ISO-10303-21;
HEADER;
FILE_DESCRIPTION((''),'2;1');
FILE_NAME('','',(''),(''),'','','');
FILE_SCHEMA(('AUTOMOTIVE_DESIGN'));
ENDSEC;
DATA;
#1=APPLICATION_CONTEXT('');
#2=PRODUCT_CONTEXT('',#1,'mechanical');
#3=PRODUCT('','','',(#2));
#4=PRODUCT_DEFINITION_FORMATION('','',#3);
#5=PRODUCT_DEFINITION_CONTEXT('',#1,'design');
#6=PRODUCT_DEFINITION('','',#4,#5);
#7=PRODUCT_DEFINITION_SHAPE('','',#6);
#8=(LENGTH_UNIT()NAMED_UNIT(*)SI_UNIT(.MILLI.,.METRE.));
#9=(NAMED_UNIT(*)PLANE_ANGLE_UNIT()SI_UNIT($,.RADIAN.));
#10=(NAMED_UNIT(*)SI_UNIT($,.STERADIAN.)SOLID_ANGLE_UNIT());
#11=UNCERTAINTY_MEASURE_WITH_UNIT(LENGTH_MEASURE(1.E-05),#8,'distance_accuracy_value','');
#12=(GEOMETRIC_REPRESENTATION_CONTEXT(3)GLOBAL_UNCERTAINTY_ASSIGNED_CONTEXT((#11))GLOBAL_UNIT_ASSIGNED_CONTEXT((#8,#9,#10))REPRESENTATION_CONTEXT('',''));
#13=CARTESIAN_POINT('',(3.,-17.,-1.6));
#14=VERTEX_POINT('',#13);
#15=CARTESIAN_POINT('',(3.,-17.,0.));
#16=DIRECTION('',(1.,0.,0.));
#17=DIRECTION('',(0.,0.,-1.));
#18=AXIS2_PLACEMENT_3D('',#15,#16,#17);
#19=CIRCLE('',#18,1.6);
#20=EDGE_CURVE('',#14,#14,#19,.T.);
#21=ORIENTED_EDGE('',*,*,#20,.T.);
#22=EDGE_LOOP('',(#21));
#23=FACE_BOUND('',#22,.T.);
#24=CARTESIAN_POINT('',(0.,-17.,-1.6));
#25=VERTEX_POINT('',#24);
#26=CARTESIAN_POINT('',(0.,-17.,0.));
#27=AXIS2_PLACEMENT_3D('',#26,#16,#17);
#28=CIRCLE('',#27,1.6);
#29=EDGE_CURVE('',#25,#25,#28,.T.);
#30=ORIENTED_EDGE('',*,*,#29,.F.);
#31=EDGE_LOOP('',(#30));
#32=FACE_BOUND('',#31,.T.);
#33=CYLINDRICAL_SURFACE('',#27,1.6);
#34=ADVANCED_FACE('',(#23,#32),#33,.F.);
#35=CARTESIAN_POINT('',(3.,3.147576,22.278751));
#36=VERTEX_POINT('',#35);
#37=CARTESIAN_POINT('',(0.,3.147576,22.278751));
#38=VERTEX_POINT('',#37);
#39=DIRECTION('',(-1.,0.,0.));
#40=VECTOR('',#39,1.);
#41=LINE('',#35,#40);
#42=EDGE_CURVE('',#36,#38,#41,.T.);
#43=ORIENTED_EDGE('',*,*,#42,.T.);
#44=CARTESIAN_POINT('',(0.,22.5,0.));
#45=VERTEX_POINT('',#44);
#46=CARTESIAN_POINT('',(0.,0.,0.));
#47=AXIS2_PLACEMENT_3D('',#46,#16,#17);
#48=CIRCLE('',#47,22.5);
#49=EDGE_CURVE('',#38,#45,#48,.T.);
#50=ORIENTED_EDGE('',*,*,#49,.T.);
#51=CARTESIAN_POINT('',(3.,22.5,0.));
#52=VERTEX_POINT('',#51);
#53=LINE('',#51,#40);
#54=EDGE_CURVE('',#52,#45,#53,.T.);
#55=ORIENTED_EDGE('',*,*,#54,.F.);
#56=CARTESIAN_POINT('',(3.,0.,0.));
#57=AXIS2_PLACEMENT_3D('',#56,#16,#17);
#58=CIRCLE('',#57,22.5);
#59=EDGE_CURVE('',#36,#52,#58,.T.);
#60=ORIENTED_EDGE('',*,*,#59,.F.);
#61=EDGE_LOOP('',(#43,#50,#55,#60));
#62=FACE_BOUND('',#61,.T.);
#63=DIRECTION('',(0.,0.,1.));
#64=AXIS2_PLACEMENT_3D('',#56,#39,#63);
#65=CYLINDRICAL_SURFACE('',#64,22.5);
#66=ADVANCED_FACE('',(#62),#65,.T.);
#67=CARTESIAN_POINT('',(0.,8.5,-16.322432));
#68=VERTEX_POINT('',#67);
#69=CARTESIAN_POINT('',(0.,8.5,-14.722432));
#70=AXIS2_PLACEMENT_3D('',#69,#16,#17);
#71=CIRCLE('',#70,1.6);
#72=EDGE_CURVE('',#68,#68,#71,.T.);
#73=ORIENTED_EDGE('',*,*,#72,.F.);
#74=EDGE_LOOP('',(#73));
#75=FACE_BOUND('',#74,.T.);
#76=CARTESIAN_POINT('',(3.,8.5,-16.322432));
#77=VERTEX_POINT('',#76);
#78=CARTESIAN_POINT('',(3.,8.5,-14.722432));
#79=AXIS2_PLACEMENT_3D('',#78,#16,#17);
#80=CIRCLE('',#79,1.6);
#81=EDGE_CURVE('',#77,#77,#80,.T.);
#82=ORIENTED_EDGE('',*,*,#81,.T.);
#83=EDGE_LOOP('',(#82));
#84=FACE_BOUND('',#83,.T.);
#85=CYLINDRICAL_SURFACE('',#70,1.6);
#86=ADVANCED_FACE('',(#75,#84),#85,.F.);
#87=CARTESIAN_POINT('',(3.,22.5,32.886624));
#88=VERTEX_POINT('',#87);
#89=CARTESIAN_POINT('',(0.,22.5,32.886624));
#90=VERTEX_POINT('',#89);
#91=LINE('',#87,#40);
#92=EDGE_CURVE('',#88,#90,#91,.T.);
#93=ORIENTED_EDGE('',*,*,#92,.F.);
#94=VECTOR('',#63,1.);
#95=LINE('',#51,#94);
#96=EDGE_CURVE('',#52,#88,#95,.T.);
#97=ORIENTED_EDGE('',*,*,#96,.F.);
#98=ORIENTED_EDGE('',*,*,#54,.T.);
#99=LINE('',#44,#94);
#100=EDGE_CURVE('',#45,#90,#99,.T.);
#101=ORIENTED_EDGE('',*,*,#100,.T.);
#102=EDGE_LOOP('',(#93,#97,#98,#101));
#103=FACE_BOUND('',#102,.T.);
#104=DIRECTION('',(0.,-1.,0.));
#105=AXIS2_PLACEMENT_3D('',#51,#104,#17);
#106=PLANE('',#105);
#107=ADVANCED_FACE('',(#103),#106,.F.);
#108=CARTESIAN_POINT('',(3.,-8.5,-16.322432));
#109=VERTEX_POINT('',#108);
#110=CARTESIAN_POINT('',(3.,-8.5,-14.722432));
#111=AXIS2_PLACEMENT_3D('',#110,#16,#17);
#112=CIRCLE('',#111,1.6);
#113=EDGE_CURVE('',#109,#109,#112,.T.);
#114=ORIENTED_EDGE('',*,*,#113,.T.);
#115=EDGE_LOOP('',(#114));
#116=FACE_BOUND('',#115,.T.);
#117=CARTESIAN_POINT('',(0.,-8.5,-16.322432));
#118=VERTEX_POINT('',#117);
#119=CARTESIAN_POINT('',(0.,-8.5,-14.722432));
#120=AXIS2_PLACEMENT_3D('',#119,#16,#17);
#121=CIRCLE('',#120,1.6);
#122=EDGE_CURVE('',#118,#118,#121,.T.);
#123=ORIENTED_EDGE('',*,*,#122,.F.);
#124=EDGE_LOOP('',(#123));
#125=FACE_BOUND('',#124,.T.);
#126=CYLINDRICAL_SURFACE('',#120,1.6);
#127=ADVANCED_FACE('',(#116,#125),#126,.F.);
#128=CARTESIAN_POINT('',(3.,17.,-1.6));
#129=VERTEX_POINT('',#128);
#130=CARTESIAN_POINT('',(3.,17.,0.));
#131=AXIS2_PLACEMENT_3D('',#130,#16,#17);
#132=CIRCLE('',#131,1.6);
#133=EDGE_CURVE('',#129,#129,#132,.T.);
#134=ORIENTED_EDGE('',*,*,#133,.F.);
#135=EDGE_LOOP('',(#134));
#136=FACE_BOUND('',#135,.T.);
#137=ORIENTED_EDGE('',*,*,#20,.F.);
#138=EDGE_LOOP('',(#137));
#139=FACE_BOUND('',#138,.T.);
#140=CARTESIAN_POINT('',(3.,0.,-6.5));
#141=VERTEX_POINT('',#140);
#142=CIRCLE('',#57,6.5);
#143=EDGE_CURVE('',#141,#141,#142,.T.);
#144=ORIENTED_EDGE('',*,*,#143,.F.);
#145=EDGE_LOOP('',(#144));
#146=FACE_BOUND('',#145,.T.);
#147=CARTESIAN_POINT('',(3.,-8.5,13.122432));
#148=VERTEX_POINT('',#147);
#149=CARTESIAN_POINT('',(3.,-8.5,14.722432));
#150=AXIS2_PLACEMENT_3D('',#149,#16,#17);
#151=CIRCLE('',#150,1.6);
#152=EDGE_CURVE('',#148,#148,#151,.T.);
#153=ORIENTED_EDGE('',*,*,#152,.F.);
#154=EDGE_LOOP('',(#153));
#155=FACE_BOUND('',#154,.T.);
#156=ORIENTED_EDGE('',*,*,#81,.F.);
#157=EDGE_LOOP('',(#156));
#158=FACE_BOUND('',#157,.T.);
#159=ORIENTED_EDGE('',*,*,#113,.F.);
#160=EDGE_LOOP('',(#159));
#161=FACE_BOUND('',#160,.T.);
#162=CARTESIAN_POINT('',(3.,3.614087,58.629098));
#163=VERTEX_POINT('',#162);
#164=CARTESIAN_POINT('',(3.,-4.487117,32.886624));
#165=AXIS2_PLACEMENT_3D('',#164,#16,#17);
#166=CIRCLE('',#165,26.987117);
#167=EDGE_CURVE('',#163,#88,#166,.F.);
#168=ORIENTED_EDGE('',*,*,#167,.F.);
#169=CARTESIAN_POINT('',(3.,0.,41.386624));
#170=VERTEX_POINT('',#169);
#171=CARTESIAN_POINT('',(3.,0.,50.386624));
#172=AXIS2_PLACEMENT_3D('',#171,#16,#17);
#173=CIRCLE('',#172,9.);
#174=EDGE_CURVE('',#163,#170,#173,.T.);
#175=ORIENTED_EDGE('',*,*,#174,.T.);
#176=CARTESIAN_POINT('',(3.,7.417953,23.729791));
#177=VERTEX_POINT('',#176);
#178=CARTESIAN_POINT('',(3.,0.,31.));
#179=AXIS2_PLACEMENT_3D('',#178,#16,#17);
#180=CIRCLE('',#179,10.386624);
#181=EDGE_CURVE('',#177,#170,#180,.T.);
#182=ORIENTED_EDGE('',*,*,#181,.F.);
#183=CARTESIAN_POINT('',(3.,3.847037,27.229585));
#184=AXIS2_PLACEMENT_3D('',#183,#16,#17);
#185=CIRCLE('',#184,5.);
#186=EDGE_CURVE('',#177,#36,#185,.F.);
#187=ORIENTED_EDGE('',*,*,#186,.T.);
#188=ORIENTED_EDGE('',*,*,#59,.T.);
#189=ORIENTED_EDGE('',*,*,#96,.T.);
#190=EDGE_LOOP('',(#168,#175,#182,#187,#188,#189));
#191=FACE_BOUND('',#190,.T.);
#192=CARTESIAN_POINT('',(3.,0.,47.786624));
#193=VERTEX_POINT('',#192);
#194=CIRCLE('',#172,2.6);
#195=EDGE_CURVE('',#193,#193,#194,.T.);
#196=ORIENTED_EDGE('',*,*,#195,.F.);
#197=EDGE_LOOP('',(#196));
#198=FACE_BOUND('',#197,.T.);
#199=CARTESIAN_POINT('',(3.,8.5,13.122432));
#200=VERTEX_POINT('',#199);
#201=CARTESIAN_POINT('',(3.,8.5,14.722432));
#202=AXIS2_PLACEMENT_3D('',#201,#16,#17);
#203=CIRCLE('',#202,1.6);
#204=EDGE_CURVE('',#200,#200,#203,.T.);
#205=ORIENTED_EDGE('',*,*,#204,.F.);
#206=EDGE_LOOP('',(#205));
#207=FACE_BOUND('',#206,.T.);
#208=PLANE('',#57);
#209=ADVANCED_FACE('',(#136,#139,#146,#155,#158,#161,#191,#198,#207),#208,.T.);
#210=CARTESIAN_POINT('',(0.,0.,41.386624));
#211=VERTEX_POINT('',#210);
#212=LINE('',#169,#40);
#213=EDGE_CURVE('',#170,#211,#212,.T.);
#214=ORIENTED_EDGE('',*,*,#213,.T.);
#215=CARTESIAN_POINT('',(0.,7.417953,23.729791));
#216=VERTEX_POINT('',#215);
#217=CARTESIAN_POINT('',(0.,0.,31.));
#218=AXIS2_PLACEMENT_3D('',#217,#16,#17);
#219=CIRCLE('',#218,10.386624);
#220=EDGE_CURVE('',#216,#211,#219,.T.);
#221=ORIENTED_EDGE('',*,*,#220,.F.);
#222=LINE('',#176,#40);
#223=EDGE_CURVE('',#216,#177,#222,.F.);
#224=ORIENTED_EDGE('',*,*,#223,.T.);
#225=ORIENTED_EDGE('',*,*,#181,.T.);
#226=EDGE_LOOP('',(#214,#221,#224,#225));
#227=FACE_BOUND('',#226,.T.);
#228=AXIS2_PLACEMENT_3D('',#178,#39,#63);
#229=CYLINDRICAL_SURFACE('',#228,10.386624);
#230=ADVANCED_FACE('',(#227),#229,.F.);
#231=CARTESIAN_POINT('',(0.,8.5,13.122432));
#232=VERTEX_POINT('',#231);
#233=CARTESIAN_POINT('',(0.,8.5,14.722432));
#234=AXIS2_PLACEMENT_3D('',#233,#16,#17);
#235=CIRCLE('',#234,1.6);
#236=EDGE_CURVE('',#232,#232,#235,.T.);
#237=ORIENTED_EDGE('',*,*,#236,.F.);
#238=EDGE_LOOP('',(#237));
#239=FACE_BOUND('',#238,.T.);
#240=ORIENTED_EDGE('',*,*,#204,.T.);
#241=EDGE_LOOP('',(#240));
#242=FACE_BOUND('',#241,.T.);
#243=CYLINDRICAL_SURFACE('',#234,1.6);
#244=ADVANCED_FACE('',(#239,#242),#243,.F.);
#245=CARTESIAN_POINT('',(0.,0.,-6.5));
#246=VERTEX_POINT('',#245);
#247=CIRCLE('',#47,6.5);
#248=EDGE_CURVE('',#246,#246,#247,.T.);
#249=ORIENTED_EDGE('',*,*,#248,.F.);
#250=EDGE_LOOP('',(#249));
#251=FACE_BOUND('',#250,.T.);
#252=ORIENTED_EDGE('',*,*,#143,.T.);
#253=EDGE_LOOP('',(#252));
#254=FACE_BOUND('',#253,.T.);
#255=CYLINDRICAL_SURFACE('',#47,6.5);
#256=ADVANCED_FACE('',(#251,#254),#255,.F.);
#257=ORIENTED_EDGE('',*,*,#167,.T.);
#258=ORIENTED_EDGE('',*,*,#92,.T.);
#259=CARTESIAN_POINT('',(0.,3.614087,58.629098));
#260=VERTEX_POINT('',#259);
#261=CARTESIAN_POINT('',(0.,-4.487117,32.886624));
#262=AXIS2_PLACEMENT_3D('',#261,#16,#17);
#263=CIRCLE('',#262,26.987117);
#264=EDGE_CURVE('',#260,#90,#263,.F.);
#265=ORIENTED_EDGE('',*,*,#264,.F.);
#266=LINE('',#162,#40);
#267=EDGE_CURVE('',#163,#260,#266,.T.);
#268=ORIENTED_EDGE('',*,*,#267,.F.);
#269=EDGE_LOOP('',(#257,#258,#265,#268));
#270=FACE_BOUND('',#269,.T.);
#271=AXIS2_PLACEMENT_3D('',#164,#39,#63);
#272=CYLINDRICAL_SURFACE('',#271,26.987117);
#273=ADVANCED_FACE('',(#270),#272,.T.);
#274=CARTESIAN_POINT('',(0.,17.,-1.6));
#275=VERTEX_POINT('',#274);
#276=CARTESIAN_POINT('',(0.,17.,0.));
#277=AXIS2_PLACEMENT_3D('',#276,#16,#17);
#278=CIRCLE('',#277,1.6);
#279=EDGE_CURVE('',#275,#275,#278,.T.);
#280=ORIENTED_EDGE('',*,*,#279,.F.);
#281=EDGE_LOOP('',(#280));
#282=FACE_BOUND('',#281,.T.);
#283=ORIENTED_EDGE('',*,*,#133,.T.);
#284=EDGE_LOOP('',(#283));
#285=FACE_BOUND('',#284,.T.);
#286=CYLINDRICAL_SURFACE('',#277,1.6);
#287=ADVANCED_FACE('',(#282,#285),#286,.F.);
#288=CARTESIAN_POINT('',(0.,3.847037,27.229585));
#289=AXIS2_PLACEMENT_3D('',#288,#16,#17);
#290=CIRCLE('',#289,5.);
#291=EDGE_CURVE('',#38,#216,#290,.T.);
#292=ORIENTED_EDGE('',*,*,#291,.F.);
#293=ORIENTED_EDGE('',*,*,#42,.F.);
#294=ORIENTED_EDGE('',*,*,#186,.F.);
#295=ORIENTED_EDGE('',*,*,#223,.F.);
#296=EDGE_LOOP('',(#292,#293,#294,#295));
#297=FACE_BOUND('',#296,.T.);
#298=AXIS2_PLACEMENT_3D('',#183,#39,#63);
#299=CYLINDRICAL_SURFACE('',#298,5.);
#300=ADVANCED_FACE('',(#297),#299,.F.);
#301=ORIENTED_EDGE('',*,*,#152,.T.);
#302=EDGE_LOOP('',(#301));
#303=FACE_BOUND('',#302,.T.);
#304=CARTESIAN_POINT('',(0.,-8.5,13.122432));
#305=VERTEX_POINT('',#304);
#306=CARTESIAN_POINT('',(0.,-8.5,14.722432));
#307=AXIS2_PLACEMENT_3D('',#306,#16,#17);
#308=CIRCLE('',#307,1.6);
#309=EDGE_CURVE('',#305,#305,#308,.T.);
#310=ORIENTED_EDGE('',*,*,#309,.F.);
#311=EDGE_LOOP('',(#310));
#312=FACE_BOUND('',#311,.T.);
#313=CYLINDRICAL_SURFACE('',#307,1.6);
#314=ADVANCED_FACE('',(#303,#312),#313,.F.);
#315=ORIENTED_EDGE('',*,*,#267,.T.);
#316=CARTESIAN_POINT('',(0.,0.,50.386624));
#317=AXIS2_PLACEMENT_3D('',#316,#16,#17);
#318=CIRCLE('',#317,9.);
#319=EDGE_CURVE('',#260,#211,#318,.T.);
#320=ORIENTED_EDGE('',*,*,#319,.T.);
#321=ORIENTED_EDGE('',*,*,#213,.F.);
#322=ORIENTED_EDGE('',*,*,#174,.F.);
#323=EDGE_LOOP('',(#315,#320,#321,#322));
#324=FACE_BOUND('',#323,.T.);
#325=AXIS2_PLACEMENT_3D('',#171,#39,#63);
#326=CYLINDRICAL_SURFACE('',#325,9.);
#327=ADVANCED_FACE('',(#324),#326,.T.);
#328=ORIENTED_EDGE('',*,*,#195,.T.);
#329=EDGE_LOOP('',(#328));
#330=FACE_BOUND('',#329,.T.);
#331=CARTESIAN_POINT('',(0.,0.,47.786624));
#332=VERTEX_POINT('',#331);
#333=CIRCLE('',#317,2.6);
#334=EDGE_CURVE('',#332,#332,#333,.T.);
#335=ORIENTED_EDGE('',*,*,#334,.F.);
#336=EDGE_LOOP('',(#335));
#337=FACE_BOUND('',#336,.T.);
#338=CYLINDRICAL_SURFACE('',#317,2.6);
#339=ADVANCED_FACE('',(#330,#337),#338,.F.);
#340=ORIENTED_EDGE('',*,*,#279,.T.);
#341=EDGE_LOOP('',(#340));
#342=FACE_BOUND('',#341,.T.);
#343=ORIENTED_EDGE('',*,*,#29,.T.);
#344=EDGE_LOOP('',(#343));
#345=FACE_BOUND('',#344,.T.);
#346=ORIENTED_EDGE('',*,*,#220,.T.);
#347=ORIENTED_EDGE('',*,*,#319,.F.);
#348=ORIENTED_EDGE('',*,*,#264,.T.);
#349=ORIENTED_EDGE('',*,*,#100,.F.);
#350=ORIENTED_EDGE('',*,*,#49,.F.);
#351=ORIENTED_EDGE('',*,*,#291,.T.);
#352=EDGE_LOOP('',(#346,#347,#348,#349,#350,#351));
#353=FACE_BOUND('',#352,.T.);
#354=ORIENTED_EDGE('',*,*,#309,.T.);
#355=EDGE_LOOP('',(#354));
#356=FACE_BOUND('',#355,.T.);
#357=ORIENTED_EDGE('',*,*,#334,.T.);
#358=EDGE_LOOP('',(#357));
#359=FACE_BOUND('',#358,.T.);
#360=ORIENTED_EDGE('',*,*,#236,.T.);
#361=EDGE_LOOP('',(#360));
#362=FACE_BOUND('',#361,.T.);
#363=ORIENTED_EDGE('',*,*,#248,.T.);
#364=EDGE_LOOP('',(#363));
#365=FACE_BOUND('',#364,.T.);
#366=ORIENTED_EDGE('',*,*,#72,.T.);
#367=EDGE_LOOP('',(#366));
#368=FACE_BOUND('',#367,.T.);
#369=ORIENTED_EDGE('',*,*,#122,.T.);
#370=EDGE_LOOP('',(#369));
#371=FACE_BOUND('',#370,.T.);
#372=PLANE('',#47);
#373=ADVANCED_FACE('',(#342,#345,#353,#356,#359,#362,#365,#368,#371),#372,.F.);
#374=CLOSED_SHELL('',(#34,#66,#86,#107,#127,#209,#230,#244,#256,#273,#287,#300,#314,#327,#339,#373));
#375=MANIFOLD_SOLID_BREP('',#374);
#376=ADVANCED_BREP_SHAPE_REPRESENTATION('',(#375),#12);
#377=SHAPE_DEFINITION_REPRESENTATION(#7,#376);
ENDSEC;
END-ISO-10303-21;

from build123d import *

# Parameters (mm, degrees)
BOSS_EXTRUDE1_DEPTH = 3
FILLET2_R           = 5
SKETCH2_R           = 6.5
SKETCH2_R_2         = 2.6
SKETCH2_R_3         = 1.6
CUT_EXTRUDE1_DEPTH  = 4.0000001


with BuildPart() as part:
    # Sketch1 → Boss-Extrude1 (new body)
    with BuildSketch(Plane(origin=(0, 0, 0), x_dir=(0, 0, -1), z_dir=(1, 0, 0))):
        with BuildLine():
            ThreePointArc((-41.386624325, 0), (-33.610207892, 10.053296954), (-21.925290889, 5.052882289))
            ThreePointArc((-21.925290889, 5.052882289), (14.009999081, -17.60596279), (0, 22.5))
            Line((0, 22.5), (-32.886624325, 22.5))
            ThreePointArc((-32.886624325, 22.5), (-48.850275915, 17.272163951), (-58.62909831, 3.614086692))
            ThreePointArc((-58.62909831, 3.614086692), (-52.232936073, -8.808582913), (-41.386624325, 0))
        make_face()
    extrude(amount=BOSS_EXTRUDE1_DEPTH)

    # Fillet2
    fillet2_edges = [part.edges().sort_by_distance(p)[0] for p in [
        (1.5, 5.052882289, 21.925290889),
    ]]
    fillet(fillet2_edges, radius=FILLET2_R)

    # Sketch2 → Cut-Extrude1 (cut, through all)
    with BuildSketch(Plane(origin=(3, 0, 0), x_dir=(0, 0, -1), z_dir=(1, 0, 0))):
        Circle(SKETCH2_R)
        with Locations((-50.386624325, 0)):
            Circle(SKETCH2_R_2)
        with Locations((0, 17)):
            Circle(SKETCH2_R_3)
        with Locations((14.722431864, 8.5)):
            Circle(SKETCH2_R_3)
        with Locations((14.722431864, -8.5)):
            Circle(SKETCH2_R_3)
        with Locations((0, -17)):
            Circle(SKETCH2_R_3)
        with Locations((-14.722431864, -8.5)):
            Circle(SKETCH2_R_3)
        with Locations((-14.722431864, 8.5)):
            Circle(SKETCH2_R_3)
    extrude(amount=-CUT_EXTRUDE1_DEPTH, mode=Mode.SUBTRACT)


solid = part.part
